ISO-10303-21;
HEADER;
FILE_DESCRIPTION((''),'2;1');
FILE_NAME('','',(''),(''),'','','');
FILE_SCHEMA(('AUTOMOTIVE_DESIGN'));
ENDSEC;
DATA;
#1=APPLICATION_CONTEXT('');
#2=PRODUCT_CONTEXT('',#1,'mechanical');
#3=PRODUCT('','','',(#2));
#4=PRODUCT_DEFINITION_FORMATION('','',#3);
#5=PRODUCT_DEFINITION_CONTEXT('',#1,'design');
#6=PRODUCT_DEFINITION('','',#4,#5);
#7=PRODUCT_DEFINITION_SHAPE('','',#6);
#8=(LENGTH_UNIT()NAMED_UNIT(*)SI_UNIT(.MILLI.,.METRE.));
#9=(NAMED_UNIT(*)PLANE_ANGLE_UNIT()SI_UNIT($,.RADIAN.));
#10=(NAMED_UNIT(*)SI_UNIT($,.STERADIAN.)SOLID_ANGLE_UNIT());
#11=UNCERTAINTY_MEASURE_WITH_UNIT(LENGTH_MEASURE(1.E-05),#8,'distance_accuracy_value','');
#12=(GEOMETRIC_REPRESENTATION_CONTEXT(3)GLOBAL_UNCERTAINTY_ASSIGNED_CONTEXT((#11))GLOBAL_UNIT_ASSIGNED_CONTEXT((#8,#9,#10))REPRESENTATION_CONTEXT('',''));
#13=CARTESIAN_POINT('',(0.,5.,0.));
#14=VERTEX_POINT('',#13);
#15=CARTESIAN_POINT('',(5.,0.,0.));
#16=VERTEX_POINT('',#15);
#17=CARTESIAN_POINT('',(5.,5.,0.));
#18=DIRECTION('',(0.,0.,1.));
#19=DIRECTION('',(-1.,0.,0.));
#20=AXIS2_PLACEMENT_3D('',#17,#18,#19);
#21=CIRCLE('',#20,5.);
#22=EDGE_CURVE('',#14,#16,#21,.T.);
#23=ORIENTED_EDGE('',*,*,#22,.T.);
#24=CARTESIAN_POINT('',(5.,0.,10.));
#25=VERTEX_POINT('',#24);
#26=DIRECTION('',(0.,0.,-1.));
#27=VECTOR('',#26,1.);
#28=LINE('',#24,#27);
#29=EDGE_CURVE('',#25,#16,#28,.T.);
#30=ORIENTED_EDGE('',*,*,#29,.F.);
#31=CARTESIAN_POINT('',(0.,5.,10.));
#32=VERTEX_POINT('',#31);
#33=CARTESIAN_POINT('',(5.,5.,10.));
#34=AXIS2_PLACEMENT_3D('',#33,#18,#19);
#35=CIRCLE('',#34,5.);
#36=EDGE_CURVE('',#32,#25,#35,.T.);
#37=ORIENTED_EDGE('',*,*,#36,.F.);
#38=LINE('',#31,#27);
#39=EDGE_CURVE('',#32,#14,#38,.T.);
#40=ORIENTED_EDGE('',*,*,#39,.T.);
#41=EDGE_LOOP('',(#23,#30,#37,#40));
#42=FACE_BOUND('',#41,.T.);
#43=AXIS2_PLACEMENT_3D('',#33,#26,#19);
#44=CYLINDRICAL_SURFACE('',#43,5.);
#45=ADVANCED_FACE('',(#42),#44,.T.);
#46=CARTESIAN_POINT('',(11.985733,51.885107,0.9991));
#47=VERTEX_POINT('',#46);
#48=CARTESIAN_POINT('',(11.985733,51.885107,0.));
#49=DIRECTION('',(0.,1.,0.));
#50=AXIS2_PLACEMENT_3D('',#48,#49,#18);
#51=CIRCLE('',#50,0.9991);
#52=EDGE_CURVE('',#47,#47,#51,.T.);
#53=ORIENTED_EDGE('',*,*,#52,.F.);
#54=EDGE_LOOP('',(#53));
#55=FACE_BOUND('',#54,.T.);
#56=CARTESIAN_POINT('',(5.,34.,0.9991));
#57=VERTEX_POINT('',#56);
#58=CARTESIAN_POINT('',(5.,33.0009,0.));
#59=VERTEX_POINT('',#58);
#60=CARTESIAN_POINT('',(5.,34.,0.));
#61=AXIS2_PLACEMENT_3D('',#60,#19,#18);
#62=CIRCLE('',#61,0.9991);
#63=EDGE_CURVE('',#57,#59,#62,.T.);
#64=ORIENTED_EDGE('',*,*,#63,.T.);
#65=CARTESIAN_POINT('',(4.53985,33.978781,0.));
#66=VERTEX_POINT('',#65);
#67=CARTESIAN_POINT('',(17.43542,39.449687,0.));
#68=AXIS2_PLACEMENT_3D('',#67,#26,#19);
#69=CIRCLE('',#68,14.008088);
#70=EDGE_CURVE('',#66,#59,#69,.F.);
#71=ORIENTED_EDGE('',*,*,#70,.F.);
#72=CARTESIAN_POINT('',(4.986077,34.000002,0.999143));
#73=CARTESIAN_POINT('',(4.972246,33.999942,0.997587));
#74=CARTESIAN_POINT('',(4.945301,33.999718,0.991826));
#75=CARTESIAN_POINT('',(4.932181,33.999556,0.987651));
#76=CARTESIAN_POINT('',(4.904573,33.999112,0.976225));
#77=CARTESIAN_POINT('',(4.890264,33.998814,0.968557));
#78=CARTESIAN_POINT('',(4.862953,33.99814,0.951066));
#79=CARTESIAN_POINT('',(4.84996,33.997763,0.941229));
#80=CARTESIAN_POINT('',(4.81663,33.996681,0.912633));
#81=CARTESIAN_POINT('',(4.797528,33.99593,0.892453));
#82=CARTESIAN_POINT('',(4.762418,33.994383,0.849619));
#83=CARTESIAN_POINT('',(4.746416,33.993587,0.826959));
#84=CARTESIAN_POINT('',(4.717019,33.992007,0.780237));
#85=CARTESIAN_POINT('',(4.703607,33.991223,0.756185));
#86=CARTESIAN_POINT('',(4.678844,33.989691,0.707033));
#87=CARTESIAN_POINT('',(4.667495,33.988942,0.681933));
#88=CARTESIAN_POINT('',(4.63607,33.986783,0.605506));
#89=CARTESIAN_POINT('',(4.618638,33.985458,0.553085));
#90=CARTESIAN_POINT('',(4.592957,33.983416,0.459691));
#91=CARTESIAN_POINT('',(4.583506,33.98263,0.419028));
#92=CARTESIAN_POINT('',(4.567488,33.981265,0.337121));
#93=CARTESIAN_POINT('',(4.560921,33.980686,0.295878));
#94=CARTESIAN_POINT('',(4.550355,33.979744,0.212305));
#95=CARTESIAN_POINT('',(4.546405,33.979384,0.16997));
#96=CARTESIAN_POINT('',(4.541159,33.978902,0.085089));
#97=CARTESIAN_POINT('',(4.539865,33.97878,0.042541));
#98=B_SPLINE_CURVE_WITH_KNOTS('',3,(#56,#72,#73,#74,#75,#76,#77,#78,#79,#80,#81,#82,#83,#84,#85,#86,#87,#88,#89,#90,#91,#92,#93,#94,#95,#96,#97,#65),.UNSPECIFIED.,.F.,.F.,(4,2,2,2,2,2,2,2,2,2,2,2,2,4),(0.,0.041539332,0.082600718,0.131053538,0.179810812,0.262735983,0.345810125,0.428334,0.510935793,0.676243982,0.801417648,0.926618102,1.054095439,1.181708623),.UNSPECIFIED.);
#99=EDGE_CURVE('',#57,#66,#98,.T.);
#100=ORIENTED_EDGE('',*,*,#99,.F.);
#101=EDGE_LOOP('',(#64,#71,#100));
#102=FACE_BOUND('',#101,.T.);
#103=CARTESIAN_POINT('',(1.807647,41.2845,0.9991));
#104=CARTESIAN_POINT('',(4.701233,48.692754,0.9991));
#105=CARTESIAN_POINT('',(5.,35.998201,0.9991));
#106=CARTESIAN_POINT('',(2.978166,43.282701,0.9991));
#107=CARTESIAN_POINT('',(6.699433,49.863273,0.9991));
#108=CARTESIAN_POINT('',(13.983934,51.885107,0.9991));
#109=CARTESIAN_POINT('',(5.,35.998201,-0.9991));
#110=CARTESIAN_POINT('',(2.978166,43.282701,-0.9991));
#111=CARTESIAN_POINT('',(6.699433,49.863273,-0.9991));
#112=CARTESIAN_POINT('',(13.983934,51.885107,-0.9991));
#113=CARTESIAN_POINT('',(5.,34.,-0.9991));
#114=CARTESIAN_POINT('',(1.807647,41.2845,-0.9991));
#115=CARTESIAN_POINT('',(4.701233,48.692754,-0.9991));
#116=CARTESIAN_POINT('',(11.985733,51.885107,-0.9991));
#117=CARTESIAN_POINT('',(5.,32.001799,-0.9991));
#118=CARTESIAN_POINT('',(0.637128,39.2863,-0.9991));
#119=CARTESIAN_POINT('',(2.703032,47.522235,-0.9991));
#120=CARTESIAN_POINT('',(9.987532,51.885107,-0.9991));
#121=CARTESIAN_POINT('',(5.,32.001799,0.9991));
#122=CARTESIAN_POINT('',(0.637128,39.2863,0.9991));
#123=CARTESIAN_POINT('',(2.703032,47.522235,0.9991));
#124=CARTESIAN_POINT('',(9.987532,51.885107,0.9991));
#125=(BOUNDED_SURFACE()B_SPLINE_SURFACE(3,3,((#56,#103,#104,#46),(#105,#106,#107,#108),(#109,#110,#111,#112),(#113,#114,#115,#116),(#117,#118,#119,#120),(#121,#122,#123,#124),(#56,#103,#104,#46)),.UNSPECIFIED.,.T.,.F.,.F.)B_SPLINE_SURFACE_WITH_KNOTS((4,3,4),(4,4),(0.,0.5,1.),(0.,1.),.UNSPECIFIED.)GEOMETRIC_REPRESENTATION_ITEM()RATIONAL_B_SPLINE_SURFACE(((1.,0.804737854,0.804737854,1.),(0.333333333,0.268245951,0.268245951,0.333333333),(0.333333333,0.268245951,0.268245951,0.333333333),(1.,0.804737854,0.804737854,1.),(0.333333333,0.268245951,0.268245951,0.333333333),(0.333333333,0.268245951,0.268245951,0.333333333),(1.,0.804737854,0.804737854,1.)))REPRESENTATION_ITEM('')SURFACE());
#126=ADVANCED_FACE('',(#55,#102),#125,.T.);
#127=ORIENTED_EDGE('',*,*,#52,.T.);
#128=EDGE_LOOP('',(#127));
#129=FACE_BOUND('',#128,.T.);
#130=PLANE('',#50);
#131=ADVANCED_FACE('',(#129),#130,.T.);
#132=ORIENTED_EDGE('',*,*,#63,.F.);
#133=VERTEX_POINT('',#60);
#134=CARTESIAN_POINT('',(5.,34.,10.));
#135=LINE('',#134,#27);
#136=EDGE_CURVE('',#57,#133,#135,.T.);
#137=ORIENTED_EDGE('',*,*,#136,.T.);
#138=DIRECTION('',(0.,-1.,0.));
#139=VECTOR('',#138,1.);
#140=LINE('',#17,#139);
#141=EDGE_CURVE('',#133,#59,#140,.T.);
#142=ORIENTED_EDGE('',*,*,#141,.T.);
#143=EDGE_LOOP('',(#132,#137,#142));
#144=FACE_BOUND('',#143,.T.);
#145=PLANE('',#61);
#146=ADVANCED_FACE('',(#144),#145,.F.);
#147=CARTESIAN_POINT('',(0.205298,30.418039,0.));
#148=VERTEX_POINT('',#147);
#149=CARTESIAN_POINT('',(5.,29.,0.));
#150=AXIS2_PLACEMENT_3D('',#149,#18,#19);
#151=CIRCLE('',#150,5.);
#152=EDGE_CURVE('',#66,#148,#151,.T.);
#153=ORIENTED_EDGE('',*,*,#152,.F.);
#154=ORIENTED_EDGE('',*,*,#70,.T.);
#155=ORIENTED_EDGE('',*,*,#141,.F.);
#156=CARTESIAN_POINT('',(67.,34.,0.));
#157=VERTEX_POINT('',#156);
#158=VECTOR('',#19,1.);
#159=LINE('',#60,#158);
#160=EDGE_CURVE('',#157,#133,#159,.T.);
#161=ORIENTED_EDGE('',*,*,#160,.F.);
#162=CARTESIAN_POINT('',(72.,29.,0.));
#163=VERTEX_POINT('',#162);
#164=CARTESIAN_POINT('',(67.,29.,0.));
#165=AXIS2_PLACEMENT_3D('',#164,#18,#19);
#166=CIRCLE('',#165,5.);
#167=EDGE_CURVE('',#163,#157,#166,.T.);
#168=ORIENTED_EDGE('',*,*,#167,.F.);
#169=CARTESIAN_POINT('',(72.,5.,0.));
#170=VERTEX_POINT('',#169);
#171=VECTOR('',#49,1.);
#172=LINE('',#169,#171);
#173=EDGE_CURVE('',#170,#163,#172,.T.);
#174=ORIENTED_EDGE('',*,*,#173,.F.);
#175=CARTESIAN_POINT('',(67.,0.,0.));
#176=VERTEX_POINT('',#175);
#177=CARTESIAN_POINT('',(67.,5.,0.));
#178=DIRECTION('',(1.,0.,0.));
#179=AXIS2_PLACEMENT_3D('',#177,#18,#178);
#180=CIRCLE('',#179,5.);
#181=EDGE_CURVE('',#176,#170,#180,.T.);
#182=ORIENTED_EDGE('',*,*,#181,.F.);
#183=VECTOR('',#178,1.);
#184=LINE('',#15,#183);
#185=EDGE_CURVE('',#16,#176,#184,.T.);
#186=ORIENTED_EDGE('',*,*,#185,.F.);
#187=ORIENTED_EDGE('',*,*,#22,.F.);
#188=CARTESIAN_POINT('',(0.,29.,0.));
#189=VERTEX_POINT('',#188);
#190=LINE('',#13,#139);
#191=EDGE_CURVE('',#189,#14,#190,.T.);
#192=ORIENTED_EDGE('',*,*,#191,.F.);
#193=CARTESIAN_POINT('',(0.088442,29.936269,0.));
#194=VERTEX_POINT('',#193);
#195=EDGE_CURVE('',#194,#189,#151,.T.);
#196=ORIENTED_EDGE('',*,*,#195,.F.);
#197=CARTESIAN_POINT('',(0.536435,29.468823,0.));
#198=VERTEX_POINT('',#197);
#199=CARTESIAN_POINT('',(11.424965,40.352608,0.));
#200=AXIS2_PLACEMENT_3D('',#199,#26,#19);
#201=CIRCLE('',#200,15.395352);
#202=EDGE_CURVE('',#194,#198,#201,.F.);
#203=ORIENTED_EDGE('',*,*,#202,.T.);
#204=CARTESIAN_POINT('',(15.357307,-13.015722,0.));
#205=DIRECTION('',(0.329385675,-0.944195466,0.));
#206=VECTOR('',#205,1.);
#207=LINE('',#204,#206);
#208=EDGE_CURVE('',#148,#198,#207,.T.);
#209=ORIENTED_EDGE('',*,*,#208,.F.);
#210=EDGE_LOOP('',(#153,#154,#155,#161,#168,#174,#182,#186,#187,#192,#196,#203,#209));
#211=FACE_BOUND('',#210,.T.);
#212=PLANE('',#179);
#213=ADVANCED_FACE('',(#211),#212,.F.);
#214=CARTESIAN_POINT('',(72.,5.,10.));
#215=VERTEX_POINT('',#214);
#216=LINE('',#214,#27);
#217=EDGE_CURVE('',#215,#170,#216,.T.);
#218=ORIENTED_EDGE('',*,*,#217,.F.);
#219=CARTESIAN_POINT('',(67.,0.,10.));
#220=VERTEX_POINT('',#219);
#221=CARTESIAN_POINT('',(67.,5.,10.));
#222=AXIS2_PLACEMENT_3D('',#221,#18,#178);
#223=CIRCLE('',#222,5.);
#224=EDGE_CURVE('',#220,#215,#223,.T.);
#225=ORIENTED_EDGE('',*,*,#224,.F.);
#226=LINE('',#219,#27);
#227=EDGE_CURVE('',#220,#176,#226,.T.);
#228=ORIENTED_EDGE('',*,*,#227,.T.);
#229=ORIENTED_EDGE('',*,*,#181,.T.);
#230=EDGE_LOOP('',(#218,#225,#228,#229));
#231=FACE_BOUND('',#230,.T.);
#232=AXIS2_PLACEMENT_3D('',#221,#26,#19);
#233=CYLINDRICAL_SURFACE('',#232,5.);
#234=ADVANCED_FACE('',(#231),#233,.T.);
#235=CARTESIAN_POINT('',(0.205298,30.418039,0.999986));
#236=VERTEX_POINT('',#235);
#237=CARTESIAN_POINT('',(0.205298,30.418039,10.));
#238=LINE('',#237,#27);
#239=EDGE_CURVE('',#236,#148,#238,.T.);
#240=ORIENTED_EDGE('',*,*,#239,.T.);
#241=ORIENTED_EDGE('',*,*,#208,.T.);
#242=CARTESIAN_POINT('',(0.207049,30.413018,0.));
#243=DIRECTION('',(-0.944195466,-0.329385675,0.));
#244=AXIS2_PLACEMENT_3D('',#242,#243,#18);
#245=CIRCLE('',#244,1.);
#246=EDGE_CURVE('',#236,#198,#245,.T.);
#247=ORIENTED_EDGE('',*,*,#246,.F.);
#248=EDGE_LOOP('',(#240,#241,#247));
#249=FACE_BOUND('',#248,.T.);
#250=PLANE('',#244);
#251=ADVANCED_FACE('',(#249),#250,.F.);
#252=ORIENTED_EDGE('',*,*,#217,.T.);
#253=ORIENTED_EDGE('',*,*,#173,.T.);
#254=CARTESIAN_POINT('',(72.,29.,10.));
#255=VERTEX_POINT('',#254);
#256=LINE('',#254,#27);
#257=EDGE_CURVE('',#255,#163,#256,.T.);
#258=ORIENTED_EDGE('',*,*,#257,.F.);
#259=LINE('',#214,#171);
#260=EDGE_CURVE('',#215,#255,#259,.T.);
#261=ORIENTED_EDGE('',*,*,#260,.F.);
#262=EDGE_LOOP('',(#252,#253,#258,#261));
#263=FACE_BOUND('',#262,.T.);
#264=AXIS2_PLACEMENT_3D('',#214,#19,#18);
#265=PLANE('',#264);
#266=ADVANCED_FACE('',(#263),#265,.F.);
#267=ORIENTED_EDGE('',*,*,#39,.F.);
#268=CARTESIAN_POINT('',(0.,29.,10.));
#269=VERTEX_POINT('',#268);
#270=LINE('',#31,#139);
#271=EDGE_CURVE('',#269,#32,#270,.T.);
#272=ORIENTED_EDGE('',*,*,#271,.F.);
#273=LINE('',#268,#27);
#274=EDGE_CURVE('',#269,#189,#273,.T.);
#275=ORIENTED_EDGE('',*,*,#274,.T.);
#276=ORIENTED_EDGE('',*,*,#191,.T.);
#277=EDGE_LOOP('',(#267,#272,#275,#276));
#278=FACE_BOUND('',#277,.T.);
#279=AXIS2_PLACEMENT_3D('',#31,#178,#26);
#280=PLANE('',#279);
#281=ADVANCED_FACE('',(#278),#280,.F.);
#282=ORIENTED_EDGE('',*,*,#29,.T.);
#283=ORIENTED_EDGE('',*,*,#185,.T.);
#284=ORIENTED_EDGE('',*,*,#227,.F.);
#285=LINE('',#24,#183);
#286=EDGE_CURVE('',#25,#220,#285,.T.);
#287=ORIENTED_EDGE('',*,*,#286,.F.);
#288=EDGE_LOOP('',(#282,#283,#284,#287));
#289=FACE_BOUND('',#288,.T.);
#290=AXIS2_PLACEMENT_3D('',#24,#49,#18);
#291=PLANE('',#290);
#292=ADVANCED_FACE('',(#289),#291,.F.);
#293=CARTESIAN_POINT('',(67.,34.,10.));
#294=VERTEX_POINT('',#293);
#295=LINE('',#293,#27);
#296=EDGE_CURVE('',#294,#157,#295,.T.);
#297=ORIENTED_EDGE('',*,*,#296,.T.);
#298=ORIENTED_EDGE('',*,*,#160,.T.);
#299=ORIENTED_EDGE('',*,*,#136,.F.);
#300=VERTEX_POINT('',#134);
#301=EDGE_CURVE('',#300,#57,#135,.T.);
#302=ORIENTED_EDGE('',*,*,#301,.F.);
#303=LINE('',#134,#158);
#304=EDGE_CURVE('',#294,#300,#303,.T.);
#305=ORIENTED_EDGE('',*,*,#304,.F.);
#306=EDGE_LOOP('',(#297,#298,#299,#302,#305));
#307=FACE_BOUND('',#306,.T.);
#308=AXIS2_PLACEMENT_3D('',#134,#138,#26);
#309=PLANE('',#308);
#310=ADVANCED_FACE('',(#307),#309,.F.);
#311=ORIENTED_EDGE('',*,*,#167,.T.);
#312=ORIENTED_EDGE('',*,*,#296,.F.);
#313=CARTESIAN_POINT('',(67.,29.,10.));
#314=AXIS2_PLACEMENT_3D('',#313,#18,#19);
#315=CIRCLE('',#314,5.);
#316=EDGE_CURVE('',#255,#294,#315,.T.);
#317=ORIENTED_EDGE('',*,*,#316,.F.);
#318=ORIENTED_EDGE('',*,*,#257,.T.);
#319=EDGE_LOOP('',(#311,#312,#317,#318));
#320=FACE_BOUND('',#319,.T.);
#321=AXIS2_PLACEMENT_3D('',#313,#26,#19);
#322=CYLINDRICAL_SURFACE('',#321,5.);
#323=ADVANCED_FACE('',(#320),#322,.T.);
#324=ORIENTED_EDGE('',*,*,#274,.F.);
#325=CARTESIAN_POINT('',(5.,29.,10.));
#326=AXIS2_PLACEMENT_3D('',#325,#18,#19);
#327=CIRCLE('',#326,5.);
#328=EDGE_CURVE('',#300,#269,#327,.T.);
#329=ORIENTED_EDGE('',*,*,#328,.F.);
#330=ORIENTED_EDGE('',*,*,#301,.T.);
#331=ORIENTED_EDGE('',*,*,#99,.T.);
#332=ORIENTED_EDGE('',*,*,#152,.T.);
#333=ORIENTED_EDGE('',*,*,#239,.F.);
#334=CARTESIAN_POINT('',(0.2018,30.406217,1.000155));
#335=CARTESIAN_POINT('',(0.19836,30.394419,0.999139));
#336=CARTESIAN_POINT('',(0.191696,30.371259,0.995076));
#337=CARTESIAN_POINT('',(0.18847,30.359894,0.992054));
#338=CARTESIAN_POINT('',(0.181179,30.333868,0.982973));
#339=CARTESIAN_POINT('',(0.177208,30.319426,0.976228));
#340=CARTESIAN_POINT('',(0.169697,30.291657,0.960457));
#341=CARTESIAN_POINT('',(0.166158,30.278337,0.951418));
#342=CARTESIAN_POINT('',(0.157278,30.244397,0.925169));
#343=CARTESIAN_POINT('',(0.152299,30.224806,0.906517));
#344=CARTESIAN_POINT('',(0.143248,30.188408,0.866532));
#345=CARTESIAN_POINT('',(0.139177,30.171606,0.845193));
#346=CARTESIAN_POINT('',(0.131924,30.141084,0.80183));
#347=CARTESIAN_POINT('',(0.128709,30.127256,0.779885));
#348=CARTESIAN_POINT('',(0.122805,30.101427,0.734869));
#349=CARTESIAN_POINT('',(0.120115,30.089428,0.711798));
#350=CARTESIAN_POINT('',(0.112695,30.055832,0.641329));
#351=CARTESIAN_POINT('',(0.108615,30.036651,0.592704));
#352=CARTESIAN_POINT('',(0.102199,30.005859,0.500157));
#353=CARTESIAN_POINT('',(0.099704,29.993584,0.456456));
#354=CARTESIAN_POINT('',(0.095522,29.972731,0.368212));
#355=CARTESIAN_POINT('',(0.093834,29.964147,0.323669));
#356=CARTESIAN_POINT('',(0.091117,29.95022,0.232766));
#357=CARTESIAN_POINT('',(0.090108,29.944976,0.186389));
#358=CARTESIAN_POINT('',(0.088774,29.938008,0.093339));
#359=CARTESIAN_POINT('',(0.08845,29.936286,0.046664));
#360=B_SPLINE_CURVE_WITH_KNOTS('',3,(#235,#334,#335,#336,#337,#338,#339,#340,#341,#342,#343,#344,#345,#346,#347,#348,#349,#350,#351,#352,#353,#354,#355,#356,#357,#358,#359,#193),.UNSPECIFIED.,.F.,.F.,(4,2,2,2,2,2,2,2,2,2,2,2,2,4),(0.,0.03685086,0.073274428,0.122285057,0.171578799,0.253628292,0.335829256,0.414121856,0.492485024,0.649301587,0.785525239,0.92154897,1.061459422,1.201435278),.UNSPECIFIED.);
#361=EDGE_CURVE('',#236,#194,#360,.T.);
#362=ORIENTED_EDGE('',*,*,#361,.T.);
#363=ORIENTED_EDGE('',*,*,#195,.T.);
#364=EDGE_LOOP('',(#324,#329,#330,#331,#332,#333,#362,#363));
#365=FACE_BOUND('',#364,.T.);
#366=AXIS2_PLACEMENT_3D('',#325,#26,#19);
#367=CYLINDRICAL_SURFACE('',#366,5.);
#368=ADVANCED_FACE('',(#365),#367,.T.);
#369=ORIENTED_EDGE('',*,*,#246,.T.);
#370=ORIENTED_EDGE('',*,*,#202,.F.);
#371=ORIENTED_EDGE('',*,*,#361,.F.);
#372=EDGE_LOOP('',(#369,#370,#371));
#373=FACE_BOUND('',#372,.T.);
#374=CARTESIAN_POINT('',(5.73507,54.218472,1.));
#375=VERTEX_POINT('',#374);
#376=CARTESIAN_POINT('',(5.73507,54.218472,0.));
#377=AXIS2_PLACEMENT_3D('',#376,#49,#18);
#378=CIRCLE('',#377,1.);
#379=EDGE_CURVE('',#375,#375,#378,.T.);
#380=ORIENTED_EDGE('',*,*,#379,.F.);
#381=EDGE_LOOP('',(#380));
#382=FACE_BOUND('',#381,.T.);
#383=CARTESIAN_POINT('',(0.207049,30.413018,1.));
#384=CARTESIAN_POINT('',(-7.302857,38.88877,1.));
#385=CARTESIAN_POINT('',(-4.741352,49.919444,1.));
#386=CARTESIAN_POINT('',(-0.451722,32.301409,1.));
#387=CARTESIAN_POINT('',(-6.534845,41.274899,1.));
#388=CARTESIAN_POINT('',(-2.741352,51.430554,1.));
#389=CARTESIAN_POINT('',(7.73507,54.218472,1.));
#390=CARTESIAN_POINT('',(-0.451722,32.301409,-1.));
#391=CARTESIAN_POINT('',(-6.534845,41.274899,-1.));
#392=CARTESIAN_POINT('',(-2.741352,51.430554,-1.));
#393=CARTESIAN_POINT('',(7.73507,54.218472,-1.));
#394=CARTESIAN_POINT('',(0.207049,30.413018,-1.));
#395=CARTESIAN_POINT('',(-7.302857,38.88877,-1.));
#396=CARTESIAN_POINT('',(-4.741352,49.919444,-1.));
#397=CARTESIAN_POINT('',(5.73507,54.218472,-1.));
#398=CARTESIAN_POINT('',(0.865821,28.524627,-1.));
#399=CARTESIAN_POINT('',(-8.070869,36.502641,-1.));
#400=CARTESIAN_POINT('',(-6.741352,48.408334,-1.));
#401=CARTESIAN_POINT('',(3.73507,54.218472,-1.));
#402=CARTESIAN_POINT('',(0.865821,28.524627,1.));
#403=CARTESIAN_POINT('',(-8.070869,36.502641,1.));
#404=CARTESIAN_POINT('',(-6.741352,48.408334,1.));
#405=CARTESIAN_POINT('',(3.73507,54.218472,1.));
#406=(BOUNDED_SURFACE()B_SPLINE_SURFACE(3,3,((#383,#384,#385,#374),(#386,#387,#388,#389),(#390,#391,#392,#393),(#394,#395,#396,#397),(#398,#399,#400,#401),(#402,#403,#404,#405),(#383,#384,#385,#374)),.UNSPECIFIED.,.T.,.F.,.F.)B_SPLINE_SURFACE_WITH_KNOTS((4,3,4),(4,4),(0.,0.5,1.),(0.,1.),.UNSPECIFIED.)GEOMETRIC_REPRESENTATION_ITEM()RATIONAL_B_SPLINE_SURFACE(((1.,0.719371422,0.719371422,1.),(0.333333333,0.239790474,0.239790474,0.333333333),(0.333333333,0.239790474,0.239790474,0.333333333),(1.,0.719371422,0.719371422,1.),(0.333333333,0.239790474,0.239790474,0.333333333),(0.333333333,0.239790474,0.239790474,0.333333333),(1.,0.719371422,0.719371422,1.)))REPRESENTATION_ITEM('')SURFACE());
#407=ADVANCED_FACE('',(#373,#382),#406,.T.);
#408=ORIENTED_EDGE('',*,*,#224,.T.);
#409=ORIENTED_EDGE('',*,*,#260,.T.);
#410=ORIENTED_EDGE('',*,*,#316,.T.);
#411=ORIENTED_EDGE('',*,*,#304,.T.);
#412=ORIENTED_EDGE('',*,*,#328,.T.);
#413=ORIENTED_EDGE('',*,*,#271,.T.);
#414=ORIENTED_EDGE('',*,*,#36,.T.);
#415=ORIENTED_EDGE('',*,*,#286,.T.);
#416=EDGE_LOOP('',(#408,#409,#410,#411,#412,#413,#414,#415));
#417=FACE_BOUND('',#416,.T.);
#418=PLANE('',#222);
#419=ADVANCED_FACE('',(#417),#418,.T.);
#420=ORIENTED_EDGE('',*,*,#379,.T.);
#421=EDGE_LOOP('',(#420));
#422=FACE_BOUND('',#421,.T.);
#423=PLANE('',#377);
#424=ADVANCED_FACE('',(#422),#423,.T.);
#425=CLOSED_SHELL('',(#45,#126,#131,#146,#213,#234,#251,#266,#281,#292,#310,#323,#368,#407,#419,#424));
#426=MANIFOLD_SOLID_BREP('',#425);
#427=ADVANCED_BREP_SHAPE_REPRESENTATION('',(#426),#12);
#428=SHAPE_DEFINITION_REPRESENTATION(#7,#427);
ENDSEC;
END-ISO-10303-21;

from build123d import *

# Parameters (mm, degrees)
SALIENTE_EXTRUIR1_DEPTH = 10
CROQUIS4_R              = 1
CROQUIS7_R              = 0.999100302


with BuildPart() as part:
    # Croquis1 → Saliente-Extruir1 (new body)
    with BuildSketch(Plane.XY):
        with BuildLine():
            Line((5, 0), (67, 0))
            ThreePointArc((67, 0), (70.535533906, 1.464466094), (72, 5))
            Line((72, 5), (72, 29))
            ThreePointArc((72, 29), (70.535533906, 32.535533906), (67, 34))
            Line((67, 34), (5, 34))
            ThreePointArc((5, 34), (1.464466094, 32.535533906), (0, 29))
            Line((0, 29), (0, 5))
            ThreePointArc((0, 5), (1.464466094, 1.464466094), (5, 0))
        make_face()
    extrude(amount=SALIENTE_EXTRUIR1_DEPTH)

    # Barrer1: sweep along a path in Croquis3
    with BuildLine(Plane(origin=(0, 0, 0), x_dir=(-1, 0, 0), z_dir=(0, 0, -1))) as barrer1_path:
        ThreePointArc((-0.205298063, 30.418038551), (3.171388104, 43.747173205), (-5.740387444, 54.218471915))
    # Croquis4 → Barrer1 (sweep)
    with BuildSketch(Plane(origin=(0, 54.218471915, 0), x_dir=(1, 0, 0), z_dir=(0, 1, 0))):
        with Locations((5.735070399, 0)):
            Circle(CROQUIS4_R)
    sweep(path=barrer1_path.line)

    # Barrer4: sweep along a path in Croquis6
    with BuildLine(Plane(origin=(0, 0, 0), x_dir=(-1, 0, 0), z_dir=(0, 0, -1))) as barrer4_path:
        ThreePointArc((-5, 34), (-4.788739539, 44.389346101), (-11.985732915, 51.885106885))
    # Croquis7 → Barrer4 (sweep)
    with BuildSketch(Plane(origin=(0, 51.885106885, 0), x_dir=(1, 0, 0), z_dir=(0, 1, 0))):
        with Locations((11.985732915, 0)):
            Circle(CROQUIS7_R)
    sweep(path=barrer4_path.line)


solid = part.part
